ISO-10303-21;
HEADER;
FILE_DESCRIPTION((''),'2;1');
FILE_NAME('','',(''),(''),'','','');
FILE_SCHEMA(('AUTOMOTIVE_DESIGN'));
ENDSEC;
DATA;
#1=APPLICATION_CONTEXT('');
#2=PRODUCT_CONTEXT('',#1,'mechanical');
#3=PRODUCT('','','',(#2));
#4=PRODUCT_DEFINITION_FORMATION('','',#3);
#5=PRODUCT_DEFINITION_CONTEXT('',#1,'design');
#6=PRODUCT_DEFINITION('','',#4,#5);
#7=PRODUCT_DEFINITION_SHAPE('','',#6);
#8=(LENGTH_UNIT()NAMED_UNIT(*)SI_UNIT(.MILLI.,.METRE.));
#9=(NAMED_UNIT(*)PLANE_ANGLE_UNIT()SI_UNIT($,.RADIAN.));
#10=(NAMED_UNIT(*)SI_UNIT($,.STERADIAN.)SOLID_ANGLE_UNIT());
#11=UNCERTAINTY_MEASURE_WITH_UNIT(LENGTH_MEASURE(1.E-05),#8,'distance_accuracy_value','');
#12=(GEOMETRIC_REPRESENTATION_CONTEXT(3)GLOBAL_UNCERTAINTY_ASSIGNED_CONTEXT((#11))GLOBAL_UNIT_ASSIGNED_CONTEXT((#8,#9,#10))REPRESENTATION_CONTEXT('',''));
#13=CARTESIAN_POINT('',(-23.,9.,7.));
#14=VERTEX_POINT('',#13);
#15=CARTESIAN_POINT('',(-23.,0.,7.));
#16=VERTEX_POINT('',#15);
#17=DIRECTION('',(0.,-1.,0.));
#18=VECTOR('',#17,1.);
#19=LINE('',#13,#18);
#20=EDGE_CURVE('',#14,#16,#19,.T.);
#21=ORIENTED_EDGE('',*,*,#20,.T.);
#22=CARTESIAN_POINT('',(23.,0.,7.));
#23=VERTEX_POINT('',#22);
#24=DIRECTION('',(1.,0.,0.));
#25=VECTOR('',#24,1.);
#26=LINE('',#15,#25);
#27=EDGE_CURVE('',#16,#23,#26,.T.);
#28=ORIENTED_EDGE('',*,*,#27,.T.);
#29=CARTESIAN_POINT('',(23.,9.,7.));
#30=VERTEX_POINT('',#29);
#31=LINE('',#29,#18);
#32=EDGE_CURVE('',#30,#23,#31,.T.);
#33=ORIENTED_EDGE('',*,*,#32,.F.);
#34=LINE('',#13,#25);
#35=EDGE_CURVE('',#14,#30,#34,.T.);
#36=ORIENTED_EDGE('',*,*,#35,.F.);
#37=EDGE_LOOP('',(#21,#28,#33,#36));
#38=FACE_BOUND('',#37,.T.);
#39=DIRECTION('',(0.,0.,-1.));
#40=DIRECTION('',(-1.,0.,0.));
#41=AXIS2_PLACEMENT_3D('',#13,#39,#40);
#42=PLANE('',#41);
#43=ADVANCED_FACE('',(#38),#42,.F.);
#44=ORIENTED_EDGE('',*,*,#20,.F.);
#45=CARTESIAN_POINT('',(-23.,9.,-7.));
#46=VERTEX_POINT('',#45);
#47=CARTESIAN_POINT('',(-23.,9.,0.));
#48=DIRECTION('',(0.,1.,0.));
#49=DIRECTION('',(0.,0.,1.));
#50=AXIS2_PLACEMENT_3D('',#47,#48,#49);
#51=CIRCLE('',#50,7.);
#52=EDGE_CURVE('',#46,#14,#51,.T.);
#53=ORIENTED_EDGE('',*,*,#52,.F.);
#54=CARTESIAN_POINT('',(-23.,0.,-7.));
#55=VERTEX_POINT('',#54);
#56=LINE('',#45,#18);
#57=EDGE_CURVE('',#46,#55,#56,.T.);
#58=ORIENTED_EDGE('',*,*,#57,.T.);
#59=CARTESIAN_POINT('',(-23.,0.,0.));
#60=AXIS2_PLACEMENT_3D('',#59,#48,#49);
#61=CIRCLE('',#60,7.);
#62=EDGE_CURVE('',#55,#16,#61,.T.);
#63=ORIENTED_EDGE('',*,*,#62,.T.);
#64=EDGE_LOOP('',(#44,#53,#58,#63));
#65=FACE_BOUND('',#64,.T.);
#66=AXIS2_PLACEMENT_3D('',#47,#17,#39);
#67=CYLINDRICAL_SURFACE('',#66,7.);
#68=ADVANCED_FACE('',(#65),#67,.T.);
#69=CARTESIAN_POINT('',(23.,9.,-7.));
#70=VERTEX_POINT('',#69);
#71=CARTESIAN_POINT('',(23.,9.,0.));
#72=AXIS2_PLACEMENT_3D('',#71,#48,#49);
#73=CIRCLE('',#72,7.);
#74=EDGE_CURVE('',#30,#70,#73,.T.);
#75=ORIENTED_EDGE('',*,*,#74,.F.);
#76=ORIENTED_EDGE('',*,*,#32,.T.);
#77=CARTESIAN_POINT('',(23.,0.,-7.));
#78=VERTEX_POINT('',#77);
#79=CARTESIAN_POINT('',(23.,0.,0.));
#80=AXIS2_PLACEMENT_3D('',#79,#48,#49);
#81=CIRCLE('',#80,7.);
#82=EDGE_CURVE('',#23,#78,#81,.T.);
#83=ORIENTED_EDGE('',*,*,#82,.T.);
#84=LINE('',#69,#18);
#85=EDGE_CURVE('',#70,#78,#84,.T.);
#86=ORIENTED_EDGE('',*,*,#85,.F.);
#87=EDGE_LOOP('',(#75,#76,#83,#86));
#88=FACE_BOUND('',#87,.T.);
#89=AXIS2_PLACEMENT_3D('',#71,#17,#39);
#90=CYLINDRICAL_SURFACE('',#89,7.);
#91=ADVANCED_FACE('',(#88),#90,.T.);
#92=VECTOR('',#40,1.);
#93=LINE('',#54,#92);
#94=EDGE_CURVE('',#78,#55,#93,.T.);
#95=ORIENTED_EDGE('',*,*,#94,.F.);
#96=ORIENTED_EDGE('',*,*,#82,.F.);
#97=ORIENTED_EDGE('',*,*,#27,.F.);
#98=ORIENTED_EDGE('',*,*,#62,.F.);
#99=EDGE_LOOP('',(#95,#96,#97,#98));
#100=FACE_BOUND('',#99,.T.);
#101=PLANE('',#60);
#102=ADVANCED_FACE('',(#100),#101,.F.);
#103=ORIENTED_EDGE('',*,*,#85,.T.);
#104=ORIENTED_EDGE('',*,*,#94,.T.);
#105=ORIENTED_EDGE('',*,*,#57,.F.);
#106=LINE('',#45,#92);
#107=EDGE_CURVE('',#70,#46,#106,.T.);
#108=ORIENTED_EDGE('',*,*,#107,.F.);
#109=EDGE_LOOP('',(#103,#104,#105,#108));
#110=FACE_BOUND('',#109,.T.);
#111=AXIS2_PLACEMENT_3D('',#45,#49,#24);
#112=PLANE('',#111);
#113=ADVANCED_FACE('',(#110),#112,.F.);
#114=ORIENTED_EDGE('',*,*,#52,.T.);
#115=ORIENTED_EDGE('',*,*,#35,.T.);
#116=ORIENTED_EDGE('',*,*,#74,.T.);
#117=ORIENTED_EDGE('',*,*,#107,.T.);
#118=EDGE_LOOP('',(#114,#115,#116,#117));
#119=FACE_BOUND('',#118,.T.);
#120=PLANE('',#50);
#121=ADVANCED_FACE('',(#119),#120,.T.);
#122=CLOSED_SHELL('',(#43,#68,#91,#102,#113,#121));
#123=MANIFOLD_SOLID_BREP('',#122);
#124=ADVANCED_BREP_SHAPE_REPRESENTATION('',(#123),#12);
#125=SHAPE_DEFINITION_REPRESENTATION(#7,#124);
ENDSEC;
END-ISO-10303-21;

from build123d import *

# Parameters (mm, degrees)
EXTRUDE_1_DEPTH = 9


with BuildPart() as part:
    # Эскиз1 → Бобышка-Вытянуть1 (new body)
    with BuildSketch(Plane(origin=(0, 0, 0), x_dir=(1, 0, 0), z_dir=(0, 1, 0))):
        with BuildLine():
            Line((-23, 7), (23, 7))
            ThreePointArc((23, 7), (30, 0), (23, -7))
            Line((23, -7), (-23, -7))
            ThreePointArc((-23, -7), (-30, 0), (-23, 7))
        make_face()
    extrude(amount=EXTRUDE_1_DEPTH)


solid = part.part
